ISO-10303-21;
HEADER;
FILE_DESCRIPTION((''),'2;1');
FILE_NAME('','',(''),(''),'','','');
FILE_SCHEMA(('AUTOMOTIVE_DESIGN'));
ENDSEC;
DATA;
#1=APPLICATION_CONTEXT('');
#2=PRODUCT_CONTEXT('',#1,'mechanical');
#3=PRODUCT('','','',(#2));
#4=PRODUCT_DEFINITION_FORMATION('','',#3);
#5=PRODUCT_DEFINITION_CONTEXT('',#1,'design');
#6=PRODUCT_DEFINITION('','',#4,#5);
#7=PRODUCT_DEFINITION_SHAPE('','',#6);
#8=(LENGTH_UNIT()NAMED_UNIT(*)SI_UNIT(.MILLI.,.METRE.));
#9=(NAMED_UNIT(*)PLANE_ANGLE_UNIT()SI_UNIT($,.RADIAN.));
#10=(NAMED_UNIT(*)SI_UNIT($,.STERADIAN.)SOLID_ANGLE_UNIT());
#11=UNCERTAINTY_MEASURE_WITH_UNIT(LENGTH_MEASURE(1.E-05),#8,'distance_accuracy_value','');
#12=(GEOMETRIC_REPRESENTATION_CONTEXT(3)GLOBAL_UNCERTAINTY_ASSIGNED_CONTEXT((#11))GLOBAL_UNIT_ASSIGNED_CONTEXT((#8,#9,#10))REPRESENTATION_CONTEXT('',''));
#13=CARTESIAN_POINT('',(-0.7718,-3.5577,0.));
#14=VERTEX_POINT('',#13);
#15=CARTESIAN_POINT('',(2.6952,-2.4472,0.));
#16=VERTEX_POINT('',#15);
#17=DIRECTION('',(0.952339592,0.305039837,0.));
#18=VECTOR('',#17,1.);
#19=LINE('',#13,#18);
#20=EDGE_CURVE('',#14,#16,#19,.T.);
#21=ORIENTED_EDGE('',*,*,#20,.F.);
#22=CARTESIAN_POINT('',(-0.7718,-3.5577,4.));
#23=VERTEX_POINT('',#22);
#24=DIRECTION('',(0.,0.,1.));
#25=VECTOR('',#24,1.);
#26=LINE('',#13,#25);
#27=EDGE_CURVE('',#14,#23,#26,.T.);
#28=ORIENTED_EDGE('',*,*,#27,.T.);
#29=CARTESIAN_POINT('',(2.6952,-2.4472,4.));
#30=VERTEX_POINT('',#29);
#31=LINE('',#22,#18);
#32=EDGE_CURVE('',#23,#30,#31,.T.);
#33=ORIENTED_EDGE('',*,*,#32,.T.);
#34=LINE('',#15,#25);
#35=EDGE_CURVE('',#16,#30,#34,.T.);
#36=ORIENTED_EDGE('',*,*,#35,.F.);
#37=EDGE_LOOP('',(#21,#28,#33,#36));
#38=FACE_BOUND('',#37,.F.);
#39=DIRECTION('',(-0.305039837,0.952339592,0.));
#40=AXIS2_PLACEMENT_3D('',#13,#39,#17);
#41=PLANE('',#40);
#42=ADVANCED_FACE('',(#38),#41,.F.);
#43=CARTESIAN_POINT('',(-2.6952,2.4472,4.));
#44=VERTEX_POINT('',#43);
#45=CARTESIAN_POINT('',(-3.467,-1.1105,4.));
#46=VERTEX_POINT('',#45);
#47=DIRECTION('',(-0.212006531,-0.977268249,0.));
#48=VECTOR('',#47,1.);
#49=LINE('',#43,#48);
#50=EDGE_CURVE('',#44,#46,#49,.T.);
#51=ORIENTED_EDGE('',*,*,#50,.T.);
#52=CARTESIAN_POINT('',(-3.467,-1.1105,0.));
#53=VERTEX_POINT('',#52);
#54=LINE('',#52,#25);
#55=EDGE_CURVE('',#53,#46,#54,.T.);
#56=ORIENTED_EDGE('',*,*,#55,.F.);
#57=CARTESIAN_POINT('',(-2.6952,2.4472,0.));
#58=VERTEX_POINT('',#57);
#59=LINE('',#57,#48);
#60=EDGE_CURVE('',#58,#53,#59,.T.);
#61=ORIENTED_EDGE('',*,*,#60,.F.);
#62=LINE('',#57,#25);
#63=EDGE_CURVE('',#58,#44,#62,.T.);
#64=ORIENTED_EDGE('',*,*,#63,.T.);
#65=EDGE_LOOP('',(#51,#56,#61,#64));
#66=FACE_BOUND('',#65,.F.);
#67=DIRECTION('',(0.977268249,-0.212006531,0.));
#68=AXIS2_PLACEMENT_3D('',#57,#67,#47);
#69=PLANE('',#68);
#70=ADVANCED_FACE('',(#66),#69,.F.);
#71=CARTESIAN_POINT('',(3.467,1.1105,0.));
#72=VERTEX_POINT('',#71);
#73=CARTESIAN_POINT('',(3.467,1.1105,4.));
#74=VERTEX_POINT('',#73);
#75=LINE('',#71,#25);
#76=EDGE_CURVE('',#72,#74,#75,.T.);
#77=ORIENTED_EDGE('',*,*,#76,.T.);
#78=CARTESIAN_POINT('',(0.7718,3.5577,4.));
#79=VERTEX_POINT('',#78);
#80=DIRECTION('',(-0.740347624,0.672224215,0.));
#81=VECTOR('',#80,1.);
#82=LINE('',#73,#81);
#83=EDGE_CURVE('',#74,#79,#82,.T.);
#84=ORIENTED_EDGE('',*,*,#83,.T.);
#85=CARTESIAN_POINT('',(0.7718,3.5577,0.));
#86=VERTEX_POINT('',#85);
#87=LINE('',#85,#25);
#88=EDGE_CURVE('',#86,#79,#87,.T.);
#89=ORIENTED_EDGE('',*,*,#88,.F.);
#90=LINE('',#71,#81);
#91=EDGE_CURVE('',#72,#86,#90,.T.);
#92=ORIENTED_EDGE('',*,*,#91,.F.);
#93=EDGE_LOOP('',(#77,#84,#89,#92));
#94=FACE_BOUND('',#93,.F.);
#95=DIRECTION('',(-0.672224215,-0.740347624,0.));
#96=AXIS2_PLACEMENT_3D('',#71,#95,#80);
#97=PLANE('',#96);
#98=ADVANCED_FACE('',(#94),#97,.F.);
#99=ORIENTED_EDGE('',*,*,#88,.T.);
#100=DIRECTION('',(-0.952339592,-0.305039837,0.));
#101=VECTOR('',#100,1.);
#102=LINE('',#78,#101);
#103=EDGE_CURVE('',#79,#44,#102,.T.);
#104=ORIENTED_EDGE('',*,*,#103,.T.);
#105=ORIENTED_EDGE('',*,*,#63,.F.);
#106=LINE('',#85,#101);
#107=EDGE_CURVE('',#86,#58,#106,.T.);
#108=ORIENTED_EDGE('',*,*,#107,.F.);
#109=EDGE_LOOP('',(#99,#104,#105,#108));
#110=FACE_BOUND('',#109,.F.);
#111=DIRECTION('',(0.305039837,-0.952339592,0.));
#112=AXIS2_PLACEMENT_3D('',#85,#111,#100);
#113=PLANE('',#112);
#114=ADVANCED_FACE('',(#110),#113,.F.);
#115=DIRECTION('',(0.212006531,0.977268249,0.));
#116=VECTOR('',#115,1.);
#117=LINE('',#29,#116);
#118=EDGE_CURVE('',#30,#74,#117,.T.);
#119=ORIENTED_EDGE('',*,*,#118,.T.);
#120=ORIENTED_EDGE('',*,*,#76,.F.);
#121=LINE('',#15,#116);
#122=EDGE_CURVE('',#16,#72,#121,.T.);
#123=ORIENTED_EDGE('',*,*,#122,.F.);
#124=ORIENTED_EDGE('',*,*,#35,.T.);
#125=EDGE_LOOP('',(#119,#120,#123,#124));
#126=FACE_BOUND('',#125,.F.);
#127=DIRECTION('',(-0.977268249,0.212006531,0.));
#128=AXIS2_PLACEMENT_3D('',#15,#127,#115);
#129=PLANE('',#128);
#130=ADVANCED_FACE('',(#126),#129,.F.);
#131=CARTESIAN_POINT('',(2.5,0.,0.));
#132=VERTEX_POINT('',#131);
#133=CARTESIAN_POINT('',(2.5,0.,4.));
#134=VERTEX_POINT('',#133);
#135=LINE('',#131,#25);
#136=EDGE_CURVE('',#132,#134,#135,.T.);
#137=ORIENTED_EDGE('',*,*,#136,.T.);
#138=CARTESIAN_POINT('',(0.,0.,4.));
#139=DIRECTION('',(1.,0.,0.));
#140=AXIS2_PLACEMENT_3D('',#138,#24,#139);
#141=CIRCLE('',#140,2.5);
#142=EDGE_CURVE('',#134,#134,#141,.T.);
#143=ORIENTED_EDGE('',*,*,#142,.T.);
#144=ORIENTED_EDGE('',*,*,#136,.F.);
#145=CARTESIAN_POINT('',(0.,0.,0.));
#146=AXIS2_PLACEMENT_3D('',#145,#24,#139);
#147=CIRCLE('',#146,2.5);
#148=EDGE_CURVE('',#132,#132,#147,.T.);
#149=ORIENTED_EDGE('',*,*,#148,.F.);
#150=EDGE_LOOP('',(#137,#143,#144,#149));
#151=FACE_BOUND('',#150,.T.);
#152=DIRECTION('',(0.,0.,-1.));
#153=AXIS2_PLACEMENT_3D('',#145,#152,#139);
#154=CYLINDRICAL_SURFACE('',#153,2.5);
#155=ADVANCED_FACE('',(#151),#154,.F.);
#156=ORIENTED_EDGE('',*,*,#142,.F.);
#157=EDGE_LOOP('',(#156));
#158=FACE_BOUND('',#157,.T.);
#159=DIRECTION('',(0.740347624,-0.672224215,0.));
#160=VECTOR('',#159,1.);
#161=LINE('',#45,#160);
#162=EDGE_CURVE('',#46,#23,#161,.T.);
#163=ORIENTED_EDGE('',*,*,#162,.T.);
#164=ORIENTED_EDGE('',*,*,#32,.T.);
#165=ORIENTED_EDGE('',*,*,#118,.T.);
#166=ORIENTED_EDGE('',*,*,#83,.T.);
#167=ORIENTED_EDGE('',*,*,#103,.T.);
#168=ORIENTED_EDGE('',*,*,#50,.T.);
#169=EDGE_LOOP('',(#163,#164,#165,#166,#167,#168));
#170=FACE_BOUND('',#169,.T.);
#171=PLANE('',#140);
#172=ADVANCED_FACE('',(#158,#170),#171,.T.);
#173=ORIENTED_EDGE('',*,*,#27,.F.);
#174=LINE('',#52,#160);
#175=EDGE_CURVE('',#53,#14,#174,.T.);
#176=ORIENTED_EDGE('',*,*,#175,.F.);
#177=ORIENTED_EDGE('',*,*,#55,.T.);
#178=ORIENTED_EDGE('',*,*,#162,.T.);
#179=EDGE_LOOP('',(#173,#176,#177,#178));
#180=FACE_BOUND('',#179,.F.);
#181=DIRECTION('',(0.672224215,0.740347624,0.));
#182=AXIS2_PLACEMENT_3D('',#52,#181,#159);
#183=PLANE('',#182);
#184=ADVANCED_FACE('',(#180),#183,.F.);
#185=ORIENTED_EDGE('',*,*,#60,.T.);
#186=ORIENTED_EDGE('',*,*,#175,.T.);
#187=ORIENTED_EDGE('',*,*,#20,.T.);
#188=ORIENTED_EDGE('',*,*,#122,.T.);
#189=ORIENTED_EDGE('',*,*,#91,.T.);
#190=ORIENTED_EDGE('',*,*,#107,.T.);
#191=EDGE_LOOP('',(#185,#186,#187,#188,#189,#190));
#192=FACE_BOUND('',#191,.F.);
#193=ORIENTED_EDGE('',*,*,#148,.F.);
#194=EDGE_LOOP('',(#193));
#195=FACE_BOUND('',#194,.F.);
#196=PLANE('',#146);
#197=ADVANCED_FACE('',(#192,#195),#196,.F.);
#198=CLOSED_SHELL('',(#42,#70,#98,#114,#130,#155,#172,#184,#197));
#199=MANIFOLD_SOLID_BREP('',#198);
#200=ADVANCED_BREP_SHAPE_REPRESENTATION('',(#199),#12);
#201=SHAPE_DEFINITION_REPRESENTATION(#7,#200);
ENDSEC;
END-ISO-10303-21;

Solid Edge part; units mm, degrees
sketch "Sketch1" plane through (0, 0, 0) normal (0, 0, 1) x (1, 0, 0)
  line L0 (2.6952, -2.4472) -> (3.467, 1.1105)
  line L1 (3.467, 1.1105) -> (0.7718, 3.5577)
  line L2 (0.7718, 3.5577) -> (-2.6952, 2.4472)
  line L3 (-2.6952, 2.4472) -> (-3.467, -1.1105)
  line L4 (-3.467, -1.1105) -> (-0.7718, -3.5577)
  line L5 (-0.7718, -3.5577) -> (2.6952, -2.4472)
extrude "Protrusion1" add sketch "Sketch1" along normal blind 4
sketch "Sketch2" plane through (0, 0, 0) normal (0, 0, 1) x (1, 0, 0)
  circle A0 centre (0, 0) radius 2.5
extrude "ExtrudedCutout_1" cut sketch "Sketch2" along normal blind 4
